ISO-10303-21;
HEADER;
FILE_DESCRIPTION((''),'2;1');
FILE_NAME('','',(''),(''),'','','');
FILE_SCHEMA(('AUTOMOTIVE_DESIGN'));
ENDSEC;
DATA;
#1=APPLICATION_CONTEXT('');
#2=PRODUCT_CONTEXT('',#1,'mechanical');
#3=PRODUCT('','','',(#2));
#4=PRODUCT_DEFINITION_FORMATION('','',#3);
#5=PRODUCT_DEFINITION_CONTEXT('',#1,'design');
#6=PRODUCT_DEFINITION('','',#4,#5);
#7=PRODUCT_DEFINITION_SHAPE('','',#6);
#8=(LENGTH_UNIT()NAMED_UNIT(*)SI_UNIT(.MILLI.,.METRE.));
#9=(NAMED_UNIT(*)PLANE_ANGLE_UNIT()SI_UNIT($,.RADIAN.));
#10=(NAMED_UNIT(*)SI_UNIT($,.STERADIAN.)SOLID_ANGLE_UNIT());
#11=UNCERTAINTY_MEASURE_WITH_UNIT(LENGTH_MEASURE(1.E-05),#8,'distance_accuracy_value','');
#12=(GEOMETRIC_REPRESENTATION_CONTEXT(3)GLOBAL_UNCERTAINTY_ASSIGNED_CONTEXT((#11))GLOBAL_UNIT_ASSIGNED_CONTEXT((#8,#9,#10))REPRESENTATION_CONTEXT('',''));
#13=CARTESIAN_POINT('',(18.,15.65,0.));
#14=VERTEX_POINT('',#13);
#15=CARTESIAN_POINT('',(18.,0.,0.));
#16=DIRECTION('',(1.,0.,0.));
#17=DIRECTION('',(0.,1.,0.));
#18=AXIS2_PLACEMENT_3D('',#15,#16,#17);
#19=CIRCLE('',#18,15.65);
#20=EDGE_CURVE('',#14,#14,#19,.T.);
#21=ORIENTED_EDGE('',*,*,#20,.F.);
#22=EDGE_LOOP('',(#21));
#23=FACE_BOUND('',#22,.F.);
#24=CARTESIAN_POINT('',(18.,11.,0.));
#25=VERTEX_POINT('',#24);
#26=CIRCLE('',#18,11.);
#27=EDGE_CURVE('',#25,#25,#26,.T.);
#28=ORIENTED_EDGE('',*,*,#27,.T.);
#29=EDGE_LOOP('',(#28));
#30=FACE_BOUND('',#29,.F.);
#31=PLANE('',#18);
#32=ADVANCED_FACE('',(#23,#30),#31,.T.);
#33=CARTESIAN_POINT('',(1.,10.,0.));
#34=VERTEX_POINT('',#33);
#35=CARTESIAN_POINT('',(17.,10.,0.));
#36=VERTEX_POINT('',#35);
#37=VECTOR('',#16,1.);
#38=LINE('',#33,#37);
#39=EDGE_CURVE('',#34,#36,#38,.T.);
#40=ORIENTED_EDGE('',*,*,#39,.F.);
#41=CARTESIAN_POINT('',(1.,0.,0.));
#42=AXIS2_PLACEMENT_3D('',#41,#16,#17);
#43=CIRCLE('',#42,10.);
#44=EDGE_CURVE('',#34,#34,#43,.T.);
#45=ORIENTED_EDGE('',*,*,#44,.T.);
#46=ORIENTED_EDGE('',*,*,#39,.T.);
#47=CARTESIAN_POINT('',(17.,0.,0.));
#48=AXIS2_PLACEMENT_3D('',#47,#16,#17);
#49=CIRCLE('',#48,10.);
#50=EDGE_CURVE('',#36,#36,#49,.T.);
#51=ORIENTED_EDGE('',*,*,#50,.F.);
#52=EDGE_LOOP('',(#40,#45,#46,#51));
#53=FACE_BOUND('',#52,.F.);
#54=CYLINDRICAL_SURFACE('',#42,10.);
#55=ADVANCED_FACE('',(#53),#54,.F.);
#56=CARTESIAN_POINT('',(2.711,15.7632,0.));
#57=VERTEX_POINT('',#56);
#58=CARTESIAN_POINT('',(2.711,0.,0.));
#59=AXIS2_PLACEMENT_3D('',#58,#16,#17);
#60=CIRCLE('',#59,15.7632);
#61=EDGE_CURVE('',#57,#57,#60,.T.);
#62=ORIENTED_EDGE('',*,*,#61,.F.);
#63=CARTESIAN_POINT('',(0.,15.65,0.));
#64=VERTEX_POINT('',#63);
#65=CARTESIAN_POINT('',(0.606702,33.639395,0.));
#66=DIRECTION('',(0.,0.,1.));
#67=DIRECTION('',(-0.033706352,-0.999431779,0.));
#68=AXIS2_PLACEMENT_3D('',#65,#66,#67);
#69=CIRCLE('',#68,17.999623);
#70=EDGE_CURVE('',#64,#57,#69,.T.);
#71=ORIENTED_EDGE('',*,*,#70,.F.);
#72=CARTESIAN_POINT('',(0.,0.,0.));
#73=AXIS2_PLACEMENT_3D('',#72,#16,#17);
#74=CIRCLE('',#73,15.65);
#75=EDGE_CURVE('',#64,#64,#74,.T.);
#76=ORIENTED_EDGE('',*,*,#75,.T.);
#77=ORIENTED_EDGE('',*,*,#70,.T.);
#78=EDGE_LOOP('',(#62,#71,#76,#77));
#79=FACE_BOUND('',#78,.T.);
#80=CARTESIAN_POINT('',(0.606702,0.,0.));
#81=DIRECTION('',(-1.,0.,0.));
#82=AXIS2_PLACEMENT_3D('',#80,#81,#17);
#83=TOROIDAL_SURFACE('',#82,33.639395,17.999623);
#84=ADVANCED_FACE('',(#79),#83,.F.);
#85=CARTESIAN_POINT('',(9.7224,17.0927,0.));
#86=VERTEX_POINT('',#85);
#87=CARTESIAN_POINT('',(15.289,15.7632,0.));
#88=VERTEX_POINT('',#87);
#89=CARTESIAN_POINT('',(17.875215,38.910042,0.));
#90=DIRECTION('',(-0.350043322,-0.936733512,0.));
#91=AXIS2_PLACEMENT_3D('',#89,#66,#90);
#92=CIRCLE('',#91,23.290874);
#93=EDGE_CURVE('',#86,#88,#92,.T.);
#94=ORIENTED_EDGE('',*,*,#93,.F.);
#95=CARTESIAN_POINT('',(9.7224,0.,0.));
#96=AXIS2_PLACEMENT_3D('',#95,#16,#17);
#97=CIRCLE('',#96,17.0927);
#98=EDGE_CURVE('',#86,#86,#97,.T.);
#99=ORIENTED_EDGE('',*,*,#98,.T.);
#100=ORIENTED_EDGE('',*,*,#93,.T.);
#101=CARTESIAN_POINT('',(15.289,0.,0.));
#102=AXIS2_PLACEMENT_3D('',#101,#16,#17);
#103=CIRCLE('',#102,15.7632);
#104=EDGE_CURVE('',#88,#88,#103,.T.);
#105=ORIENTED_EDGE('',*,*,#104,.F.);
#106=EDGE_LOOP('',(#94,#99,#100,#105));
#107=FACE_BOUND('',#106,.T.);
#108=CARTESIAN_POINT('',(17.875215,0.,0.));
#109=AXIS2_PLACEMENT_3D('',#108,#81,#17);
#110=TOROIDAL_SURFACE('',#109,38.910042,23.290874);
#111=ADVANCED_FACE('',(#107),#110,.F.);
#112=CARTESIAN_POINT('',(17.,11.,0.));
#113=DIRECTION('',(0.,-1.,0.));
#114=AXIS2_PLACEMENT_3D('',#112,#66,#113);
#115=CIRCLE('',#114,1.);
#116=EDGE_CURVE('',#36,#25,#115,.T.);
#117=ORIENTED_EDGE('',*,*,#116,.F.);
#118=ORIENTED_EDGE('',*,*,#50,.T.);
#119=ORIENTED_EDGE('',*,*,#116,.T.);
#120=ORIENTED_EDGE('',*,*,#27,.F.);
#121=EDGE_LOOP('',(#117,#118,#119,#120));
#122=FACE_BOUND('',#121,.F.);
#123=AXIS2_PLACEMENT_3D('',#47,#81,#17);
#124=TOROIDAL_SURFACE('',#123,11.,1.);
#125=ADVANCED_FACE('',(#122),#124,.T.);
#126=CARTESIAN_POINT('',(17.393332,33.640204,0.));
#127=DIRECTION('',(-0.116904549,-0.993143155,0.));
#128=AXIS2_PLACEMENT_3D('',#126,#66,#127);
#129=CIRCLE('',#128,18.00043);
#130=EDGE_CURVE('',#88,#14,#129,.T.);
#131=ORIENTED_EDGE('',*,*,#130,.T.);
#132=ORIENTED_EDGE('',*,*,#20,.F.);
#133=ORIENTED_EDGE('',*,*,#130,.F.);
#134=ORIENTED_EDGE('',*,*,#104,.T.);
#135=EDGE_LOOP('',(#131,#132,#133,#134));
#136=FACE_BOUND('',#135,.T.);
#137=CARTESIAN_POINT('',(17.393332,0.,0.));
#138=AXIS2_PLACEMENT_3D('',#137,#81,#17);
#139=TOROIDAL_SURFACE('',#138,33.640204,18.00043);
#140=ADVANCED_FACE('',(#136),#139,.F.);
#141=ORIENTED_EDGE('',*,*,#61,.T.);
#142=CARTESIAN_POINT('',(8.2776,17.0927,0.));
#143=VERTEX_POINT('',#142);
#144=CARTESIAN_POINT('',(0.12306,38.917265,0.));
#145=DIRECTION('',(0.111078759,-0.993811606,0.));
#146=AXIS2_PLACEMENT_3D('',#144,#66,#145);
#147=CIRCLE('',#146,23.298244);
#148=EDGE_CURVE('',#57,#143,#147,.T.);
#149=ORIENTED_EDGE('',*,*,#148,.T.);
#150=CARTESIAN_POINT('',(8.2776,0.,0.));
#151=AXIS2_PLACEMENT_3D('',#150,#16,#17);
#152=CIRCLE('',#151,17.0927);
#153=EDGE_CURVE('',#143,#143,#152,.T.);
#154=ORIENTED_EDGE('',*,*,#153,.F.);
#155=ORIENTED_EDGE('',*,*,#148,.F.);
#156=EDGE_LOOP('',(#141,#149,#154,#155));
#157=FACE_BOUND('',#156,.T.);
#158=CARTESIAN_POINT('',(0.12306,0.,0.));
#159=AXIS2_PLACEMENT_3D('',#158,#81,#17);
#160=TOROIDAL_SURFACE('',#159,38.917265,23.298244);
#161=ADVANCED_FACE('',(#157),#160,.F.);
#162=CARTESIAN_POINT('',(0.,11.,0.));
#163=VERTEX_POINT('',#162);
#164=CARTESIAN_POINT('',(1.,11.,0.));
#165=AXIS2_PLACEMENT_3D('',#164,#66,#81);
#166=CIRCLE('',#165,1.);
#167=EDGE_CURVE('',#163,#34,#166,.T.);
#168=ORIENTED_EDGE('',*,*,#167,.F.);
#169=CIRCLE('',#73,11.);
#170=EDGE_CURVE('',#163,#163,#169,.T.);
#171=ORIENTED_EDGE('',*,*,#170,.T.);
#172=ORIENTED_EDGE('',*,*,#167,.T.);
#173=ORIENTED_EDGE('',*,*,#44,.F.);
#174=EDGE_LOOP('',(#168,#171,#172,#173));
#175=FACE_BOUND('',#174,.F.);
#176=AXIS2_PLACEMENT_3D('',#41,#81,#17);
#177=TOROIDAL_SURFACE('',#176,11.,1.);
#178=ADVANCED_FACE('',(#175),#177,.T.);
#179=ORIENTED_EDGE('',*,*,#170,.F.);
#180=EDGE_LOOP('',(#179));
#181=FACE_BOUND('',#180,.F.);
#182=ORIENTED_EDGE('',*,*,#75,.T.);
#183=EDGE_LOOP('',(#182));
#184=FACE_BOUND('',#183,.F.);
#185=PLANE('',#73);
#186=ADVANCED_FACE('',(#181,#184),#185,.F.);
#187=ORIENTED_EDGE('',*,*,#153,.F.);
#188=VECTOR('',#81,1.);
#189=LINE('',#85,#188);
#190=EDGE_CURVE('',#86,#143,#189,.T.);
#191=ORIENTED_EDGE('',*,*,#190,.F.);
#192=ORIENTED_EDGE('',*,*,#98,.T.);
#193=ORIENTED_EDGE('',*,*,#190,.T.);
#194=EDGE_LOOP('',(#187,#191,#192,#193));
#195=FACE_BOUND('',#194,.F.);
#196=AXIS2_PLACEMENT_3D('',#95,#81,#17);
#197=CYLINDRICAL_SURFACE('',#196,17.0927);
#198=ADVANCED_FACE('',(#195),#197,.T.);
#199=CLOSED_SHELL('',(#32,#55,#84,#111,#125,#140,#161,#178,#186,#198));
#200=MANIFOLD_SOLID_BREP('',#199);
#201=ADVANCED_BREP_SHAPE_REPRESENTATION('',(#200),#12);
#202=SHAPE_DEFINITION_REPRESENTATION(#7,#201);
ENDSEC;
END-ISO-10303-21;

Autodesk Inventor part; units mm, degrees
sketch "Sketch_1" plane through (0, 0, 0) normal (0, 0, 1) x (1, 0, 0)
  line L0 (18, 0) -> (-18, 0)
  arc A0 (0, 11) -> (1, 10) centre (1, 11) ccw
  line L1 (1, 10) -> (17, 10)
  arc A1 (17, 10) -> (18, 11) centre (17, 11) ccw
  line L2 (18, 11) -> (18, 15.65)
  arc A2 (15.289, 15.7632) -> (18, 15.65) centre (17.3933, 33.6398) ccw
  arc A3 (9.7224, 17.0927) -> (15.289, 15.7632) centre (17.8763, 38.9136) ccw
  line L3 (9.7224, 17.0927) -> (8.2776, 17.0927)
  arc A4 (2.711, 15.7632) -> (8.2776, 17.0927) centre (0.1237, 38.9136) ccw
  arc A5 (0, 15.65) -> (2.711, 15.7632) centre (0.6067, 33.6398) ccw
  line L4 (0, 15.65) -> (0, 11)
revolve "Revolution1" add sketch "Sketch_1" angle 360 about axis through (18, 0, 0) along (1, 0, 0)
ref_plane "NO_GEO_XY" through (0, 0, 0) normal (1, 0, 0) x (0, 0, -1)
ref_plane "NO_GEO_YZ" through (0, 0, 0) normal (0, 0, -1) x (0, 1, 0)
ref_plane "NO_GEO_ZX" through (0, 0, 0) normal (0, 1, 0) x (1, 0, 0)
ref_plane "ir_XY" through (0, 0, 0) normal (0, 0, 1) x (1, 0, 0)
ref_plane "ir_YZ" through (0, 0, 0) normal (1, 0, 0) x (0, 1, 0)
ref_plane "ir_ZX" through (0, 0, 0) normal (0, 1, 0) x (0, 0, 1)
properties part number "22205/20 E_ir"
